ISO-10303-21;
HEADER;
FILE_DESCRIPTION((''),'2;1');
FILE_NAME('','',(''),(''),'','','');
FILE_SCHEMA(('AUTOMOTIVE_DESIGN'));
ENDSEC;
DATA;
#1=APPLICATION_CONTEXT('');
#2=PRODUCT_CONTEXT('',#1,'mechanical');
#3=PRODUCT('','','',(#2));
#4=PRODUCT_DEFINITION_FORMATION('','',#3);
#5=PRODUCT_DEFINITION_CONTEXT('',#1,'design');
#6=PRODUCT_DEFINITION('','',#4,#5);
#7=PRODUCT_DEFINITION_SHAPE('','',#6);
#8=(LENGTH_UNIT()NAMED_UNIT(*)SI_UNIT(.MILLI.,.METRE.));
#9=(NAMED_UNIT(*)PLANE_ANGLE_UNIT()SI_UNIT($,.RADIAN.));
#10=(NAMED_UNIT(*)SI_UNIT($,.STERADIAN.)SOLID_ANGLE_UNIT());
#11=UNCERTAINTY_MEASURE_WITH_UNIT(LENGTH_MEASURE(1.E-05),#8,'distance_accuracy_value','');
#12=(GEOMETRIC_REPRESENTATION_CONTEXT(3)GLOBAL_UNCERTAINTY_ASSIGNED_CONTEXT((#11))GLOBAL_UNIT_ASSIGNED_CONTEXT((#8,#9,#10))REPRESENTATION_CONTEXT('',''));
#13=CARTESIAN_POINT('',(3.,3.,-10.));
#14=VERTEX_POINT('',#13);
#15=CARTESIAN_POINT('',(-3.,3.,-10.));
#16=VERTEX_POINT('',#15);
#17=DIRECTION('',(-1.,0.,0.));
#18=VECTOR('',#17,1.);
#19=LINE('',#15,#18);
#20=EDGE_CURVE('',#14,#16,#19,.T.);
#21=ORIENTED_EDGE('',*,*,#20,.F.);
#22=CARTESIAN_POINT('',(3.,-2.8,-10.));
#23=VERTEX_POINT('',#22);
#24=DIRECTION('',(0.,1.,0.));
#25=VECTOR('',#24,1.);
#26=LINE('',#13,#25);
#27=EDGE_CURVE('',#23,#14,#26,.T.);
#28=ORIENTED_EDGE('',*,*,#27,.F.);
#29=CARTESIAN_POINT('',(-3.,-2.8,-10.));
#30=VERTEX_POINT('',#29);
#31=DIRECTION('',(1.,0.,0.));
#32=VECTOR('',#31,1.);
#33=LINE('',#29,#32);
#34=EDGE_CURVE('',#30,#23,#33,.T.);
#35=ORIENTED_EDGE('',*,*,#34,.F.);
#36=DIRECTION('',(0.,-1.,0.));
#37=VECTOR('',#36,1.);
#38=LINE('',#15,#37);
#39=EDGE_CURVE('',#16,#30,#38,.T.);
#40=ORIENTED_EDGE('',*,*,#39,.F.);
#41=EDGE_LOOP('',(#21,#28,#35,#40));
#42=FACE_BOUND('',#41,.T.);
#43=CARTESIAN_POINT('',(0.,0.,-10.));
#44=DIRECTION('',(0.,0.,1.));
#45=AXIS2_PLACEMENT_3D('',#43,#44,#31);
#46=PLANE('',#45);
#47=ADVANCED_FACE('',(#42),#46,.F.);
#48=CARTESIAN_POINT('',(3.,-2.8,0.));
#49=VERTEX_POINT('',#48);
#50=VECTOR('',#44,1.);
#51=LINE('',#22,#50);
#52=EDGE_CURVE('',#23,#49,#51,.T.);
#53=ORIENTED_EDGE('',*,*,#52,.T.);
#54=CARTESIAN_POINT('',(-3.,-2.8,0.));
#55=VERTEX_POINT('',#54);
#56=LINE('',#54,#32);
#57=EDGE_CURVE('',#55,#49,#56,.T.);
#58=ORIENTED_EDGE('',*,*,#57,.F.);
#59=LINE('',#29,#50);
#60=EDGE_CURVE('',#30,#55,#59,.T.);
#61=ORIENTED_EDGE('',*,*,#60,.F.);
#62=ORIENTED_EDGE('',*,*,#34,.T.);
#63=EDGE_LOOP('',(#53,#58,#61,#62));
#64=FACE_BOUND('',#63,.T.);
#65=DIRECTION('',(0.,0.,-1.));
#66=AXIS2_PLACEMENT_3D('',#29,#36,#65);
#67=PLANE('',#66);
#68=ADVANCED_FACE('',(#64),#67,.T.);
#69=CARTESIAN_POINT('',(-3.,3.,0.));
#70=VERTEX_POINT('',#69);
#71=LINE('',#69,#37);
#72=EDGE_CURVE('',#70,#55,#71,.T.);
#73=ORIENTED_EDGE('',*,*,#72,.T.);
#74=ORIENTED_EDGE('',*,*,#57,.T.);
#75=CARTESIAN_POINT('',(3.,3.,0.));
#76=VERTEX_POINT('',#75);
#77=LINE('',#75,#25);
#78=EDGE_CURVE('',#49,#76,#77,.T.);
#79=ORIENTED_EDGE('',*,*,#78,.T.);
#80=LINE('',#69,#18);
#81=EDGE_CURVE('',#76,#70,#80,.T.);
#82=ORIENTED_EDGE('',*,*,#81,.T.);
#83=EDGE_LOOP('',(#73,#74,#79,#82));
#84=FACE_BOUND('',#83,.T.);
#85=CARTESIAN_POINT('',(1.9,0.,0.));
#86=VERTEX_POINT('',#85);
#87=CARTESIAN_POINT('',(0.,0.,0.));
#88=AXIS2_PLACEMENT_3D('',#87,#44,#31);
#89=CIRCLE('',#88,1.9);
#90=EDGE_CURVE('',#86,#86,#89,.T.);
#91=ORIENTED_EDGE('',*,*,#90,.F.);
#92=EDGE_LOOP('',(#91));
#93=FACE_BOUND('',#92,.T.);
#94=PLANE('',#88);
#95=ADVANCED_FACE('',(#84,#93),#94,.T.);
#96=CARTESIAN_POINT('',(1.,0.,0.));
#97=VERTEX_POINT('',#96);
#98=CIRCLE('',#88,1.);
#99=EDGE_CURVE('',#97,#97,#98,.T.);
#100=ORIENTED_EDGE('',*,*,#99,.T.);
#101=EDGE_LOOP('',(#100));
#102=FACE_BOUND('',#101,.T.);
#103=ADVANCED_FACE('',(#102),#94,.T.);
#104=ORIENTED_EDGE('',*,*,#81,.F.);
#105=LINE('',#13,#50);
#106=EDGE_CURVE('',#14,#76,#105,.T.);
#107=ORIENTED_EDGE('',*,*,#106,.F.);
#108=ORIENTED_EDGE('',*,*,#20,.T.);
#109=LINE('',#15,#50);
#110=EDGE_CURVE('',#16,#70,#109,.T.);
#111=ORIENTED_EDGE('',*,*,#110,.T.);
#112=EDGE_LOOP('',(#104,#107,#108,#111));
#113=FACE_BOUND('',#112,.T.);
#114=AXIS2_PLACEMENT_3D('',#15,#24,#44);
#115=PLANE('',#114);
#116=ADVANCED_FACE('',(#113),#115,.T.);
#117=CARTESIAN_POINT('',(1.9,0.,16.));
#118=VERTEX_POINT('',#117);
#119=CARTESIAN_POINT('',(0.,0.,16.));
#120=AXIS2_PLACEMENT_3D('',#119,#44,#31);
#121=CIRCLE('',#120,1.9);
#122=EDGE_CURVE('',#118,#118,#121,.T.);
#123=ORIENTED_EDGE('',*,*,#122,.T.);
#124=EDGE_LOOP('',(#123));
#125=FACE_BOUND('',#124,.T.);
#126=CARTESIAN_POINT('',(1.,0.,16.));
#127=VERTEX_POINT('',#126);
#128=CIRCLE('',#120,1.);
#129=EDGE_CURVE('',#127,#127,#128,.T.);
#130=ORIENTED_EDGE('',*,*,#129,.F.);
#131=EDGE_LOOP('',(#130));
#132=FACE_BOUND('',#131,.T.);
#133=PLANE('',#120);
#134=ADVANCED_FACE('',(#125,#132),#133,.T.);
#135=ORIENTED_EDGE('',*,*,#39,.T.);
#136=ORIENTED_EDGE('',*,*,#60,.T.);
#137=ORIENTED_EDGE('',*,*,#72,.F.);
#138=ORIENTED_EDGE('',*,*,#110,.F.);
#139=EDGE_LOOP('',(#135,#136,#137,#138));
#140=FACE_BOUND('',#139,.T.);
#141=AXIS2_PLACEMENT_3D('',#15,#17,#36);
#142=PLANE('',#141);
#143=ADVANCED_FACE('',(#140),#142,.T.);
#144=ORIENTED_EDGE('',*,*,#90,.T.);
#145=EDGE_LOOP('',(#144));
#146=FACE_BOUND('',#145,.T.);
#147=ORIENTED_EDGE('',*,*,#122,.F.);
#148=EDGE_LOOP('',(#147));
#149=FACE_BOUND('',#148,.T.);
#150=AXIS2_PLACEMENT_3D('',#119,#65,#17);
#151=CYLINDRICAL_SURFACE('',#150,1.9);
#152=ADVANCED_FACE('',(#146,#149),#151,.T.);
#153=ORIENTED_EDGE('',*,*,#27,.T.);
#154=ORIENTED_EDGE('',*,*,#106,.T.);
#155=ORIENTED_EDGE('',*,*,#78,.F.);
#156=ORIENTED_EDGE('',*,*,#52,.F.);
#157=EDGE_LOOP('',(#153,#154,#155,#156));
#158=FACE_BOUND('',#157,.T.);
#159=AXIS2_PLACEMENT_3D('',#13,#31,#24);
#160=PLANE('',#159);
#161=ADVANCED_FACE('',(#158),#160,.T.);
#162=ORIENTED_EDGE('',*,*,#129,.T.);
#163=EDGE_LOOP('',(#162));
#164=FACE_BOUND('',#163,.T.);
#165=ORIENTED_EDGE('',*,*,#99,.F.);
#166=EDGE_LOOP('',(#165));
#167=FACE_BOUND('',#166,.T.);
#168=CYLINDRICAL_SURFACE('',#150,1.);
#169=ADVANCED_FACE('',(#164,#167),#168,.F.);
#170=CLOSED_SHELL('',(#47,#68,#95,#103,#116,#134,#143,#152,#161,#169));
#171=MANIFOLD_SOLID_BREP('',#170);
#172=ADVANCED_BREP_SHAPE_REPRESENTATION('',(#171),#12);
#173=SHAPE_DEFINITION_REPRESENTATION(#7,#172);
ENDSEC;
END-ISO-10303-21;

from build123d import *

# Parameters (mm, degrees)
SKETCH_1_R      = 1.9
SKETCH_1_R_2    = 1
EXTRUDE_1_DEPTH = 16
SKETCH_2_W      = 6
SKETCH_2_H      = 5.8
EXTRUDE_2_DEPTH = 10


with BuildPart() as part:
    # Эскиз1 → Бобышка-Вытянуть1 (new body)
    with BuildSketch(Plane.XY):
        Circle(SKETCH_1_R)
        Circle(SKETCH_1_R_2, mode=Mode.SUBTRACT)
    extrude(amount=EXTRUDE_1_DEPTH)

    # Эскиз2 → Бобышка-Вытянуть2 (add)
    with BuildSketch(Plane.XY):
        with Locations((0, 0.1)):
            Rectangle(SKETCH_2_W, SKETCH_2_H)
    extrude(amount=-EXTRUDE_2_DEPTH)


solid = part.part
